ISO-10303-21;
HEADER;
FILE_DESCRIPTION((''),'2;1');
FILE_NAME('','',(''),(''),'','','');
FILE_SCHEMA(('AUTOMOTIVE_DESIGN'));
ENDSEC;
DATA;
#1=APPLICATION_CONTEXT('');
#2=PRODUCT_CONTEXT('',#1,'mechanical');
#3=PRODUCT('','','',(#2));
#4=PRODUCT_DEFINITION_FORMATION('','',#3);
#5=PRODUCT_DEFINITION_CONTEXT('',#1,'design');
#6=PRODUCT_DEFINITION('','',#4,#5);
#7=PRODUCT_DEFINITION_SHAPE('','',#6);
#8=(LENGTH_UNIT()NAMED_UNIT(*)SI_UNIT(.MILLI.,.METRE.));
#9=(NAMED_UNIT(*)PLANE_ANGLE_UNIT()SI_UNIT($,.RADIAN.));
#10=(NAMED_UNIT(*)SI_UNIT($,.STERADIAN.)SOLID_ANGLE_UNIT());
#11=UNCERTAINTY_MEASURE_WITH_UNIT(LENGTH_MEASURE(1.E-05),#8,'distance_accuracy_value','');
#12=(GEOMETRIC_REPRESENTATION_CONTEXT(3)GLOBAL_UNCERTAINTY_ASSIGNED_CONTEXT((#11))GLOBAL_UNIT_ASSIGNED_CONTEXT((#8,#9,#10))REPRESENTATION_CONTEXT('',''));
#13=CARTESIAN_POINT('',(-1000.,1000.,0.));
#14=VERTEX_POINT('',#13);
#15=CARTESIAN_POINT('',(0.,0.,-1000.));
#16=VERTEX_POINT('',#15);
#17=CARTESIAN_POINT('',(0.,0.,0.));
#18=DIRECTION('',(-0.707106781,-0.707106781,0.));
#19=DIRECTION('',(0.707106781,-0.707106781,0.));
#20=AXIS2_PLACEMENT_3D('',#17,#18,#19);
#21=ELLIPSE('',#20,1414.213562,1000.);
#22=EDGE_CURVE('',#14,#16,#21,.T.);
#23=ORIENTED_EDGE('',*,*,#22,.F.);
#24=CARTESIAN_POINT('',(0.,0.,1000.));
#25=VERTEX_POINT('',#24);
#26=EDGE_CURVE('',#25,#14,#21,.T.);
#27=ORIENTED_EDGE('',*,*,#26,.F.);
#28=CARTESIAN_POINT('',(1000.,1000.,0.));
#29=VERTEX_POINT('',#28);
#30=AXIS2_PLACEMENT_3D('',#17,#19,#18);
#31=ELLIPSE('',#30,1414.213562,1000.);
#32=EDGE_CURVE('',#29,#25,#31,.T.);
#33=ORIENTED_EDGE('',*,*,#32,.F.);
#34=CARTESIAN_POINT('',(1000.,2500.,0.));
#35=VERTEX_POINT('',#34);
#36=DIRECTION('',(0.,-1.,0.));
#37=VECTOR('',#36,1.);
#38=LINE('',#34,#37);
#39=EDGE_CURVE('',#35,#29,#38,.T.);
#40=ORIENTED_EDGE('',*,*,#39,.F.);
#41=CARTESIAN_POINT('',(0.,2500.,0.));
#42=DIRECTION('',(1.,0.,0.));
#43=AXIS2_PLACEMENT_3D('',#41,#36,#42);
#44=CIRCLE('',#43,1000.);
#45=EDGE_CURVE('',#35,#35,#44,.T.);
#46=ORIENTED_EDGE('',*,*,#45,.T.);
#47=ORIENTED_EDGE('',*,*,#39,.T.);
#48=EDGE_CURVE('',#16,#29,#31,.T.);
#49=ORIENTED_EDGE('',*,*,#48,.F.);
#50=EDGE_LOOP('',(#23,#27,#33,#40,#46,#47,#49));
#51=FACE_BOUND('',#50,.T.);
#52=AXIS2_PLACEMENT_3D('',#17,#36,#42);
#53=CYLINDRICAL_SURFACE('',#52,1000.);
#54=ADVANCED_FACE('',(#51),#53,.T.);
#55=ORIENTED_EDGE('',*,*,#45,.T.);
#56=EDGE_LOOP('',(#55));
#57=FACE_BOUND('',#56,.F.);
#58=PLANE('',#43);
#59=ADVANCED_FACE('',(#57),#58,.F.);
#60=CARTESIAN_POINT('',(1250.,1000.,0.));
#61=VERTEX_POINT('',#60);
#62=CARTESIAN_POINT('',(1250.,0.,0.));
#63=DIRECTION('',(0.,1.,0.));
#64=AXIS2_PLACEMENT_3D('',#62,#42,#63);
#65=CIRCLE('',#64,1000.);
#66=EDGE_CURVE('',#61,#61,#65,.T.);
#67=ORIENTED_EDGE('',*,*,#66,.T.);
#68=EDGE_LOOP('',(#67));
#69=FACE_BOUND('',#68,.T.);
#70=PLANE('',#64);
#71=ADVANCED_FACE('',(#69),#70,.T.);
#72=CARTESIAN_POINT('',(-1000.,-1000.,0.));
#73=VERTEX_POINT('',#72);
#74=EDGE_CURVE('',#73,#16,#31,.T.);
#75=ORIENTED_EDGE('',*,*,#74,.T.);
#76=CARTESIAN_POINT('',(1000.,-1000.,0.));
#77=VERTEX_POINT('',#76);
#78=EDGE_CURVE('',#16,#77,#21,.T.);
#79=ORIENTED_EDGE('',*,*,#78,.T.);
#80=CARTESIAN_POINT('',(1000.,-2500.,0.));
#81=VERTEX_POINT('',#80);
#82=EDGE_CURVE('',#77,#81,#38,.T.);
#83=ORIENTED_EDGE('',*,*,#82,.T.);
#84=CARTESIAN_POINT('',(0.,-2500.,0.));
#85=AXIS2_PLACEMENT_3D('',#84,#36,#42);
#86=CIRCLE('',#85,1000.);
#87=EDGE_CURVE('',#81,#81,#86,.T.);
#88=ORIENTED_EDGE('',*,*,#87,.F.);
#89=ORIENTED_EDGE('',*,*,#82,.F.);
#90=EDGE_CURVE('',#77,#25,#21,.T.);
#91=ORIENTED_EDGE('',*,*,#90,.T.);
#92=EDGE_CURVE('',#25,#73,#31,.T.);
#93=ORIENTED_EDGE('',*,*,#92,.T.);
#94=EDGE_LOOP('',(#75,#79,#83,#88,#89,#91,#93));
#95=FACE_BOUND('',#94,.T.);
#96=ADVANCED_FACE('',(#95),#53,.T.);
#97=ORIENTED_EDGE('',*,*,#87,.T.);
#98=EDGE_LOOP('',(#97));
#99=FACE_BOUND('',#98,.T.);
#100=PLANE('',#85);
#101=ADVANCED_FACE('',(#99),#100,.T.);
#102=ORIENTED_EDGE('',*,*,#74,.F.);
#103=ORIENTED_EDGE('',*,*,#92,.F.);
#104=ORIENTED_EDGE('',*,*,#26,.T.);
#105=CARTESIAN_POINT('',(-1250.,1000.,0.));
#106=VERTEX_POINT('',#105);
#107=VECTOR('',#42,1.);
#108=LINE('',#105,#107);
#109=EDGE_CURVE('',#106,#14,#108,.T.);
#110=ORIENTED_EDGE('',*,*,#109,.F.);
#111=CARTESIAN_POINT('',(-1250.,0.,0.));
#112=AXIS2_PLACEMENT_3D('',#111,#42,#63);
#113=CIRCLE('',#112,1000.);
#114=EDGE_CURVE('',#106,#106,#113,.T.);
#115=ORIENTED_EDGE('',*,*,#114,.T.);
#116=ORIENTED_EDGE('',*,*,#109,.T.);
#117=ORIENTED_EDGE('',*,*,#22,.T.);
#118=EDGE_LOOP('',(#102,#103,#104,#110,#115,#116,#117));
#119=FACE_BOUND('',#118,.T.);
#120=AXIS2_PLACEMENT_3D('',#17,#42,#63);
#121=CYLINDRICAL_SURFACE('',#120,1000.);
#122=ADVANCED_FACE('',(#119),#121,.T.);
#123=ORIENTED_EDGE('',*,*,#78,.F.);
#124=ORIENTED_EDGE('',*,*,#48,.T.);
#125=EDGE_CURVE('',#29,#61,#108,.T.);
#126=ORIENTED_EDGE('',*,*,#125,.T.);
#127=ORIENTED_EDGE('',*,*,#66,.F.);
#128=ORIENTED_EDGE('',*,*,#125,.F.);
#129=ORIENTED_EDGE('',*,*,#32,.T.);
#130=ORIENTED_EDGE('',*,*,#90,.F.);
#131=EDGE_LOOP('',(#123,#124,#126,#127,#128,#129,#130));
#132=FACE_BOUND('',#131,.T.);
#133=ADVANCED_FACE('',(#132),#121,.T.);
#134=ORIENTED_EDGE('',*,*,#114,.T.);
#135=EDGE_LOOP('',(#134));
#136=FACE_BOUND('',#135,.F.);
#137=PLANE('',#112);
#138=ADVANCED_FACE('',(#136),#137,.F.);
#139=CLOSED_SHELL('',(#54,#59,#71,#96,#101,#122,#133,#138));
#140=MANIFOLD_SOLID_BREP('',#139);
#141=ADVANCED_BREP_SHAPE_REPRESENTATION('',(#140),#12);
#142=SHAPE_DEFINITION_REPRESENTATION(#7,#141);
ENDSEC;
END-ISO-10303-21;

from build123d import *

# Parameters (mm, degrees)
F0_R     = 1000
F2_DEPTH = 2500
F1_R     = 1000
F3_DEPTH = 1250


with BuildPart() as f2:
    # F0 (on Front) → F2 (new body, symmetric)
    with BuildSketch(Plane.XZ):
        Circle(F0_R)
    extrude(amount=F2_DEPTH, both=True)

    # F1 (on Right) → F3 (join, symmetric)
    with BuildSketch(Plane.YZ):
        Circle(F1_R)
    extrude(amount=F3_DEPTH, both=True)


solid = f2.part
